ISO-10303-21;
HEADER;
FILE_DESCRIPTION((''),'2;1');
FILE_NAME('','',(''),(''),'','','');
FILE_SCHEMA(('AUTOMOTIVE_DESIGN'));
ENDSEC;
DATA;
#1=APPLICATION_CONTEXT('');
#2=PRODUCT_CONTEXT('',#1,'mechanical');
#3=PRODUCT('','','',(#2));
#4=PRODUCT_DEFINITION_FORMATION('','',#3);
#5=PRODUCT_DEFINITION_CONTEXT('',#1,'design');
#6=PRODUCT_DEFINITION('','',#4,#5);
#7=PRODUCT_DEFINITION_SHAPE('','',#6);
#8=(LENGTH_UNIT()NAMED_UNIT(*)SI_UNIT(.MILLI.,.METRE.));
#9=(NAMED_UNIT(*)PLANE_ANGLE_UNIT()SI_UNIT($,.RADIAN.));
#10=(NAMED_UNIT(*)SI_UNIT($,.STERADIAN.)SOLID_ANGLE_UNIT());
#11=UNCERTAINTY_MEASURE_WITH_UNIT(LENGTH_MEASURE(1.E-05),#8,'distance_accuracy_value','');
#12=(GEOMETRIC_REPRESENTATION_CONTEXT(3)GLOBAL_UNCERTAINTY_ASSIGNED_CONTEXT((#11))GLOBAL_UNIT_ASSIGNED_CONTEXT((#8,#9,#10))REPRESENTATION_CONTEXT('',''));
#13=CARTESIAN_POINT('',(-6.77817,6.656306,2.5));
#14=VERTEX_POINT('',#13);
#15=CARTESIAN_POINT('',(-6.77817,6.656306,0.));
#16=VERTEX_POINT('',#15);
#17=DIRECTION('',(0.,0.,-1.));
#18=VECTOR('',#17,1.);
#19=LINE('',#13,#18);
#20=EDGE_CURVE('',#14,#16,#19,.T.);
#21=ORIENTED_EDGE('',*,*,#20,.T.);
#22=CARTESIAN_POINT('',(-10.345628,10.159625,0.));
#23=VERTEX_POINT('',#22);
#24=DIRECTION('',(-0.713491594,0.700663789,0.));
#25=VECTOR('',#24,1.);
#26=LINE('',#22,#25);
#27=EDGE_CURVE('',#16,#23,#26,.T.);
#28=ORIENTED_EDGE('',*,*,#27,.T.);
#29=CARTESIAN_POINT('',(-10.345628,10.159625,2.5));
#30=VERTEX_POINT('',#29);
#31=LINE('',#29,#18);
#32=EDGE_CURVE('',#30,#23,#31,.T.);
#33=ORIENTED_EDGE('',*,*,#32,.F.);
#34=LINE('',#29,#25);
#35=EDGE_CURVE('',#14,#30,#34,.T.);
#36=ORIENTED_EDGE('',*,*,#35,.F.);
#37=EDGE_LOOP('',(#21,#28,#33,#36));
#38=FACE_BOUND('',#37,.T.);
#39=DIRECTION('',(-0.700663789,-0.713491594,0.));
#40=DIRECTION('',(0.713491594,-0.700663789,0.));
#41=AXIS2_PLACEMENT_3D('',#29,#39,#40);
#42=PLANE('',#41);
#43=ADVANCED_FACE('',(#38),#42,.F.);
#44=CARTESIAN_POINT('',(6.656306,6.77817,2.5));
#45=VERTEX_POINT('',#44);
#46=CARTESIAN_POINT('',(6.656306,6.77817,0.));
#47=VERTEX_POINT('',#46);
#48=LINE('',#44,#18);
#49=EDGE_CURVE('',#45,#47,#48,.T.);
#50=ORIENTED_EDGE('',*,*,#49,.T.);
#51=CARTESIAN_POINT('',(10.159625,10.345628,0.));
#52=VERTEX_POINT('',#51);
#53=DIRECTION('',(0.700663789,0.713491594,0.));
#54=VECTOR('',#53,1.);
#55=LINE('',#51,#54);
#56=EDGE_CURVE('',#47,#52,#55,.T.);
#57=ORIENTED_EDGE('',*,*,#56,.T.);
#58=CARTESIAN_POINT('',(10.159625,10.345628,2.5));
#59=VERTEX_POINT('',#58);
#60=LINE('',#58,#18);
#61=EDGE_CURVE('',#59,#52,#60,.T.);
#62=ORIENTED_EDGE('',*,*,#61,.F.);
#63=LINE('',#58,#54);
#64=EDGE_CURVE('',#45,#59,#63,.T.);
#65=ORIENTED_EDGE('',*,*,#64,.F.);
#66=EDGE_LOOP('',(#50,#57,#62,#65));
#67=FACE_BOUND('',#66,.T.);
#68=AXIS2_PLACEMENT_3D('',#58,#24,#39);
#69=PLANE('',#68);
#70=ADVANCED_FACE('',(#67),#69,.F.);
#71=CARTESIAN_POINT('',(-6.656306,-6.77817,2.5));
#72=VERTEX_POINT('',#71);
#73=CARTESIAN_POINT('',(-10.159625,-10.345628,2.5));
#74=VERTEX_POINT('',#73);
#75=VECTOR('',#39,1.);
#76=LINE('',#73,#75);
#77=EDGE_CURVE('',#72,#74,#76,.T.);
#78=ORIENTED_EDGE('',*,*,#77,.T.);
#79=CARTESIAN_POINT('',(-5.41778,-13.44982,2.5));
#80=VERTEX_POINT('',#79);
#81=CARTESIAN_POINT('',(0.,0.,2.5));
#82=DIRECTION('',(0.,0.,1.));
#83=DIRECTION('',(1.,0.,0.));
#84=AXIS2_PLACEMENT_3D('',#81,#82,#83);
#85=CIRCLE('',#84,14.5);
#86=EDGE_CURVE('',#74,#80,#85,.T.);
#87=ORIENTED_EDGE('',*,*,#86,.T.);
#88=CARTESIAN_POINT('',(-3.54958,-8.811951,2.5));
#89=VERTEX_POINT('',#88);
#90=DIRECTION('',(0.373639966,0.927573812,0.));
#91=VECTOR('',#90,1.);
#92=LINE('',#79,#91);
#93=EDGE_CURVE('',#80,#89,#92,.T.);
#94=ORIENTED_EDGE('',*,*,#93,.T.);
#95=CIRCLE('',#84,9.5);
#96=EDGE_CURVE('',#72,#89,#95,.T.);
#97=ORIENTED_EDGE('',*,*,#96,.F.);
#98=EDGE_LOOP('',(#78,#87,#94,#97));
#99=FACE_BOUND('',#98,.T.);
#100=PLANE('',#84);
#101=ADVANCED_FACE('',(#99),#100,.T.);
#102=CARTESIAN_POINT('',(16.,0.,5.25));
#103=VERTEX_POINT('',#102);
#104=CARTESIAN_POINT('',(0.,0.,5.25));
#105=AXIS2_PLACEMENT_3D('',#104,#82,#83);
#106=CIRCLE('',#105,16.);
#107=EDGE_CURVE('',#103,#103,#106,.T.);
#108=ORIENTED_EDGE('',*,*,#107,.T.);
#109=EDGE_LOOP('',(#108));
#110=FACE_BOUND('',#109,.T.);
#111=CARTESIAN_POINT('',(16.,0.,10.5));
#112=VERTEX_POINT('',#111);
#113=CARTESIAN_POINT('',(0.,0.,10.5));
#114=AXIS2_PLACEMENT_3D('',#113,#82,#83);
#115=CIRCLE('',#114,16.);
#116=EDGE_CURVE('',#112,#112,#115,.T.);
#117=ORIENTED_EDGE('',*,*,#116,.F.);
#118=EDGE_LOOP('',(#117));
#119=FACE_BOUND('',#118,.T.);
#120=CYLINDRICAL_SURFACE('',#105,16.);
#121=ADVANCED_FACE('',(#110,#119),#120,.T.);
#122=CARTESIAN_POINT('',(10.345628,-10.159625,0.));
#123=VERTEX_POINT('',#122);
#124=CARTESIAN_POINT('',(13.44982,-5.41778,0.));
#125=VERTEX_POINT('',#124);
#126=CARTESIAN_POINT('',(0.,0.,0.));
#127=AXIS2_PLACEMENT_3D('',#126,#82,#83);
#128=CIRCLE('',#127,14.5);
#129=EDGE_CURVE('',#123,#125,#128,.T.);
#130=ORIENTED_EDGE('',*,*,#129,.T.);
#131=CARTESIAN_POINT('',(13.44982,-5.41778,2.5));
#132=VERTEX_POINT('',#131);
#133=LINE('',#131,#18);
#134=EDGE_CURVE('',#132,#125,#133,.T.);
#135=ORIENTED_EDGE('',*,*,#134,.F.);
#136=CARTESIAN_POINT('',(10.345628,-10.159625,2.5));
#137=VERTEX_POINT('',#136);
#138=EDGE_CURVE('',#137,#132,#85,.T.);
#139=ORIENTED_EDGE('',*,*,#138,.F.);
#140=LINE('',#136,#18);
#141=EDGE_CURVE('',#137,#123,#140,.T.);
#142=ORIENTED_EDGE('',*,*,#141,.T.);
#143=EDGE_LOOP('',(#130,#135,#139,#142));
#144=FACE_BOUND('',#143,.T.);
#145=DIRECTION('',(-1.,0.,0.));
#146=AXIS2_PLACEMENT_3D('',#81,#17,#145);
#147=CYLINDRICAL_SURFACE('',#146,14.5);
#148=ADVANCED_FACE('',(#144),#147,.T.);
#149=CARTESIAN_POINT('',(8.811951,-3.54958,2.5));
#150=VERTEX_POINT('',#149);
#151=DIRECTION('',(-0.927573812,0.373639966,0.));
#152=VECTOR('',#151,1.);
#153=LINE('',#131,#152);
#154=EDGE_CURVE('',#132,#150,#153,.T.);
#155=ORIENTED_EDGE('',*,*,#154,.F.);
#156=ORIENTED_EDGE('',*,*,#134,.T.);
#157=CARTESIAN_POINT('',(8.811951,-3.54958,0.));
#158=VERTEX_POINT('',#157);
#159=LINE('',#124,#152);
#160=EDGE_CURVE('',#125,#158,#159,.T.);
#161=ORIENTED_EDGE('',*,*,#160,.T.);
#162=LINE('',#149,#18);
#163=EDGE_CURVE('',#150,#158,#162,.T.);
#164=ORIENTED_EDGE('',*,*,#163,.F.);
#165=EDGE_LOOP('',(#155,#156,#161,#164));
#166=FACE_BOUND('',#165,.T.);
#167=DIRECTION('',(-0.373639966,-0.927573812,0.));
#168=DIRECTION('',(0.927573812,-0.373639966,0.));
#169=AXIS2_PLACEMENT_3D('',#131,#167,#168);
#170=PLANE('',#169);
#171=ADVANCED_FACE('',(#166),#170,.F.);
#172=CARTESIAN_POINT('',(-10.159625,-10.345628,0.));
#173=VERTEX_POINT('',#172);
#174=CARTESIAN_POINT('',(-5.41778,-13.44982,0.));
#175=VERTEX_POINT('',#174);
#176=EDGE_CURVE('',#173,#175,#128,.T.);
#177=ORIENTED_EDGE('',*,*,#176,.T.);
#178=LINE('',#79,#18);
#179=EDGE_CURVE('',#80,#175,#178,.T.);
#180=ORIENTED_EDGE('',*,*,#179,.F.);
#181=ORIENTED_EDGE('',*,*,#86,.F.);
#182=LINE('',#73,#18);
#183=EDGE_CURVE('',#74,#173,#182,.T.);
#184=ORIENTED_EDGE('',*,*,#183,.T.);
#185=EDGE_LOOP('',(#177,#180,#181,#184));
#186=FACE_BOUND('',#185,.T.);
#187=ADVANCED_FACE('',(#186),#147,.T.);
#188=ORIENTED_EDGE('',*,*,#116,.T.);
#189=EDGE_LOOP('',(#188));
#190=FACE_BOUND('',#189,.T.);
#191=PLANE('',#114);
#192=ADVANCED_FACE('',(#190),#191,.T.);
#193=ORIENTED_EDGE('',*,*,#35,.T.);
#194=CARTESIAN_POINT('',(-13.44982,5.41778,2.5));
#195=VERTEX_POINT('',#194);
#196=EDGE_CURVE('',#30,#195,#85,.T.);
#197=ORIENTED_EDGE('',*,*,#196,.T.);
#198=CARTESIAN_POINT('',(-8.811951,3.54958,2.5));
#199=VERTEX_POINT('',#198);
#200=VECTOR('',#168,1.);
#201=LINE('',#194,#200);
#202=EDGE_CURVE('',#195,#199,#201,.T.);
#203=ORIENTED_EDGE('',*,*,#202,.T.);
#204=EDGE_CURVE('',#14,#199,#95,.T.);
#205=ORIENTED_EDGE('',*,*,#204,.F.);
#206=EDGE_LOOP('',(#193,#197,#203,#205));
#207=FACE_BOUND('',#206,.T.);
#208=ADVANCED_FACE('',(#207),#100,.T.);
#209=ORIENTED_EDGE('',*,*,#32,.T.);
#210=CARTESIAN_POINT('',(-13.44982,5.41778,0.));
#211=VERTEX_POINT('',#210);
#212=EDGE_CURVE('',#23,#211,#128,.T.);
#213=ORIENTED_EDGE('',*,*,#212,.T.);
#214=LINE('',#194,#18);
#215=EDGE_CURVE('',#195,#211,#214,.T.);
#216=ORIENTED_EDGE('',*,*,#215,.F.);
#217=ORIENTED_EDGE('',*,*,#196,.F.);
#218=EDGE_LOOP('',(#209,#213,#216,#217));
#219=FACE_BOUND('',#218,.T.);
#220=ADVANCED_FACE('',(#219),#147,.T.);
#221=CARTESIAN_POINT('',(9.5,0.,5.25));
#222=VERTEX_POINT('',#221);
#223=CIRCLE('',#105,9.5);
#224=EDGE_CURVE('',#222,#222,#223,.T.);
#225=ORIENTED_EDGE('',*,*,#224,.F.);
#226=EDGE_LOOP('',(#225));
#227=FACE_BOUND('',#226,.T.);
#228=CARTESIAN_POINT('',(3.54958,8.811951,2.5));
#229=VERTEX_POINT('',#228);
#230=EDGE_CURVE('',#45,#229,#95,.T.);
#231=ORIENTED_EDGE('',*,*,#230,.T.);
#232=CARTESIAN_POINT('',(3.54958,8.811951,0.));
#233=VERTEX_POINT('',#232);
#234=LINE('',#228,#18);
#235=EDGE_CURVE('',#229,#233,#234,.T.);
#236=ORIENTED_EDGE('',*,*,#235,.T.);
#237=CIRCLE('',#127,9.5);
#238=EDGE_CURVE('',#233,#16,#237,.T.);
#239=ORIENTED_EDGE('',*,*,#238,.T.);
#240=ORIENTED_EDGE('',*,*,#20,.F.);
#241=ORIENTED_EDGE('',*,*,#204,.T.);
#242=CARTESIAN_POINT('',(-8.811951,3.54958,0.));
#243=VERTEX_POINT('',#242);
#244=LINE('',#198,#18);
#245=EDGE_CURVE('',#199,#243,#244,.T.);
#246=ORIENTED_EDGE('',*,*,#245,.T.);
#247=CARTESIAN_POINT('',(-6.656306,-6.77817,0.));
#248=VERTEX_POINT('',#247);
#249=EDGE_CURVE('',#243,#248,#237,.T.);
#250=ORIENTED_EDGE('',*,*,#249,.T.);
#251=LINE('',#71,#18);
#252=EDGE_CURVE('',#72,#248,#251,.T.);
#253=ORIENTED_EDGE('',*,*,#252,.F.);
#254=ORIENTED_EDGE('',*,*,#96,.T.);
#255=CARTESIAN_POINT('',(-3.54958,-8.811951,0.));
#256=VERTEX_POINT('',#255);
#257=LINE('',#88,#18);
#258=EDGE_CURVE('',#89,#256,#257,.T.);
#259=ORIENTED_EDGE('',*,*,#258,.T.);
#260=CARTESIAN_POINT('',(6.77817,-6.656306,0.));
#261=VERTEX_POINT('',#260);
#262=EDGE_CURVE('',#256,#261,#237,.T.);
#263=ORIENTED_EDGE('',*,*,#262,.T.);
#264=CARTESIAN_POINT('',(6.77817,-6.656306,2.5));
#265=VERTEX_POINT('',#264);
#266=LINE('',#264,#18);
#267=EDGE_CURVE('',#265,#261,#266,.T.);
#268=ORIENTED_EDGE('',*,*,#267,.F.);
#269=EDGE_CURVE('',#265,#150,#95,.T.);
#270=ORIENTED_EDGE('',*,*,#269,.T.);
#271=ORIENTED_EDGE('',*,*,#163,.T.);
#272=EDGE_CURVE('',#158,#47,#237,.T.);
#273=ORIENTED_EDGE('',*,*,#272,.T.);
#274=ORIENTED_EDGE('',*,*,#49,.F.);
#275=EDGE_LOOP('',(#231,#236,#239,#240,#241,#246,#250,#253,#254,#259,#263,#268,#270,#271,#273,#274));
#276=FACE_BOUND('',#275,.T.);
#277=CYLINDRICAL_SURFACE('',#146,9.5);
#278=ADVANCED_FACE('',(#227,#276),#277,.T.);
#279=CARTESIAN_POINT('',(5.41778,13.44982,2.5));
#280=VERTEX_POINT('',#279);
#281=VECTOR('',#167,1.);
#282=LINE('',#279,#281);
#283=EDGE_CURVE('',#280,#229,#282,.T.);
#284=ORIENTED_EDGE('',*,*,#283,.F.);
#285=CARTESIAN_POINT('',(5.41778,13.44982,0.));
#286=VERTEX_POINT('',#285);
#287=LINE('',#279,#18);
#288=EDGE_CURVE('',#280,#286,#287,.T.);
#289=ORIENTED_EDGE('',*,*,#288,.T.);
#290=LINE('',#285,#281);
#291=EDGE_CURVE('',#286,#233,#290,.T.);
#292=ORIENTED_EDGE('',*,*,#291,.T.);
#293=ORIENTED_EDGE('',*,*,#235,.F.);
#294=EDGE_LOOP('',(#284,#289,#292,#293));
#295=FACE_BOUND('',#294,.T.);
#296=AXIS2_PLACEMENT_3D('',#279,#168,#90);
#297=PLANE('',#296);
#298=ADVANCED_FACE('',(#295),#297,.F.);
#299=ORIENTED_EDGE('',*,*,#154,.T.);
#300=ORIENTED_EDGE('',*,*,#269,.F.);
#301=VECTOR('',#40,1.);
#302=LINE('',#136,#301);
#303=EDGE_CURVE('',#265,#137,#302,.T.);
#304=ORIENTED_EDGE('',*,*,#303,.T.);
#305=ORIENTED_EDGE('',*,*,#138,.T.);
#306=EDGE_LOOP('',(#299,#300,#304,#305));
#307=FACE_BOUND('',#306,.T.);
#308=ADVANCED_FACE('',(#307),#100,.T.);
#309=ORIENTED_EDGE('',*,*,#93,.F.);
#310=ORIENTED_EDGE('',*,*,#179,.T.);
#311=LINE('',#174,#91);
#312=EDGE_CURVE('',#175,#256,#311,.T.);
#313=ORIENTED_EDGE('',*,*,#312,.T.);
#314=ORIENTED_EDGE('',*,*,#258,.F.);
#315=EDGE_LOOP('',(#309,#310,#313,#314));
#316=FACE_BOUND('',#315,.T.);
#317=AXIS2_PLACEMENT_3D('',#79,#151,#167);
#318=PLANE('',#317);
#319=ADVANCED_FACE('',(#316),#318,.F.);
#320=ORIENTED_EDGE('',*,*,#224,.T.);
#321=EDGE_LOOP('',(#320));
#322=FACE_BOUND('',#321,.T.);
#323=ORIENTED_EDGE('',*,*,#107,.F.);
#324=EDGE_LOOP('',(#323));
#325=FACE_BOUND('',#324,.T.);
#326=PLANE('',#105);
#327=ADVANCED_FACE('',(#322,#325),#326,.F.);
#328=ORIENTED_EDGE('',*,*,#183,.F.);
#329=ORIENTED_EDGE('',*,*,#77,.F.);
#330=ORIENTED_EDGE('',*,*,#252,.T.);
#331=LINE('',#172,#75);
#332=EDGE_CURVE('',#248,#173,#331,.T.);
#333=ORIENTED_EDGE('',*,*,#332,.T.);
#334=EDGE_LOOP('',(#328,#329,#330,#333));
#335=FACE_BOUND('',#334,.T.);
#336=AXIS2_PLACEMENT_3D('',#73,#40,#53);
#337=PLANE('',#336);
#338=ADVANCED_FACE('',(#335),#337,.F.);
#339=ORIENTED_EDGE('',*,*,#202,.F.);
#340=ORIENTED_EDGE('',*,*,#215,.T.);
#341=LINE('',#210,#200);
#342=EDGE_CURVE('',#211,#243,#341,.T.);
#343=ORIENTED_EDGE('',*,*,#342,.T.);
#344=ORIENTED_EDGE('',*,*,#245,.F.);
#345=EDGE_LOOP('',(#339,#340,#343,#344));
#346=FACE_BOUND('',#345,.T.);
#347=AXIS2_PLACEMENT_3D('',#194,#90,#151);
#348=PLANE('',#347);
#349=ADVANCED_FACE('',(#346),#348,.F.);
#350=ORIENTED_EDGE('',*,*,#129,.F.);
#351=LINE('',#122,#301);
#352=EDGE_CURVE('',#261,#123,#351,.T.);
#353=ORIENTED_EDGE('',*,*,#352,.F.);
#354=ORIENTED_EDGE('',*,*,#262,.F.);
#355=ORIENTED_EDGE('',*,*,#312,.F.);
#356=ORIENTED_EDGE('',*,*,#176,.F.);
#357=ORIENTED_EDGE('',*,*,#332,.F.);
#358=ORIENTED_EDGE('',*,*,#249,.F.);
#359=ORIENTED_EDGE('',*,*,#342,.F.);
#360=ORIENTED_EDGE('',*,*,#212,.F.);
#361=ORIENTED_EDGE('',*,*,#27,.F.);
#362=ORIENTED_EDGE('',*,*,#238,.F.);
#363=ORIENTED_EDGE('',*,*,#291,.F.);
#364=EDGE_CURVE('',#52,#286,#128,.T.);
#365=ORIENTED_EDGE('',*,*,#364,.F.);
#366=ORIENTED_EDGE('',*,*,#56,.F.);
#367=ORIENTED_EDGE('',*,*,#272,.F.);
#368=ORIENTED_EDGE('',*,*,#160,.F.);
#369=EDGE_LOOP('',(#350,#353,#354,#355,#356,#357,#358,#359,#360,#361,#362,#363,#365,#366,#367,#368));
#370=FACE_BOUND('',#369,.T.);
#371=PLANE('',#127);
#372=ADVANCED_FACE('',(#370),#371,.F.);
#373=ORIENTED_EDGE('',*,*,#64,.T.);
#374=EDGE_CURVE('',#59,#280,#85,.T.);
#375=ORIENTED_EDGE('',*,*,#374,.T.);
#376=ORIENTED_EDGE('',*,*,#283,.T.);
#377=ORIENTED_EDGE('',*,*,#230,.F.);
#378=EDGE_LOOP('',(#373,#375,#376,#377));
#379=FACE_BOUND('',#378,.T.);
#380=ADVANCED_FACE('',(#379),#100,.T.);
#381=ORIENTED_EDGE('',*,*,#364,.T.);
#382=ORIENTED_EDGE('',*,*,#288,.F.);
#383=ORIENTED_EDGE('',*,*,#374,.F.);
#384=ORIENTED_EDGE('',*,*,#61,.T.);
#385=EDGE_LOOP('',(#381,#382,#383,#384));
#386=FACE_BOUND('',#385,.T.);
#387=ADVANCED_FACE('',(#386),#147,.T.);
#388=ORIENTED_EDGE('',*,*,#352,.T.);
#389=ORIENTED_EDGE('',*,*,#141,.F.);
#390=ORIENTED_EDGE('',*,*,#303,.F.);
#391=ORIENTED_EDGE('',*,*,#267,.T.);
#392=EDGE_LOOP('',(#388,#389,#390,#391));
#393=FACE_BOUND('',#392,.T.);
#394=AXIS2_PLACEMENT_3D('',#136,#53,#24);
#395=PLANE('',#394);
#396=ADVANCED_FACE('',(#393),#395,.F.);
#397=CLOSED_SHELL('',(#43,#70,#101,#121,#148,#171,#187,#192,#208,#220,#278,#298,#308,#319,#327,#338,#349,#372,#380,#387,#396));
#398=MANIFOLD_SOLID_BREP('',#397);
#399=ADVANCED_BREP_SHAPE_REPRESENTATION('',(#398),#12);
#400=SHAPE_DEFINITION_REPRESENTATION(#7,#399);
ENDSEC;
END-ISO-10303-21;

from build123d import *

# Parameters (mm, degrees)
BOSS_EXTRUDE1_DEPTH      = 2.5
SKETCH2_R                = 9.5
BOSS_EXTRUDE2_DEPTH      = 3
SKETCH3_R                = 16
BOSS_EXTRUDE3_DEPTH      = 5
BOSS_EXTRUDE3_DEPTH_BACK = 0.25


with BuildPart() as part:
    # Sketch1 → Boss-Extrude1 (new body)
    with BuildSketch(Plane.XY):
        with BuildLine():
            Line((5.417779502, 13.449820269), (3.549579674, 8.811951211))
            ThreePointArc((3.549579674, 8.811951211), (-1.94104371, 9.299588664), (-6.778170146, 6.656305993))
            Line((-6.778170146, 6.656305993), (-10.345628118, 10.159624937))
            ThreePointArc((-10.345628118, 10.159624937), (-12.131657575, 7.941843897), (-13.449820269, 5.417779502))
            Line((-13.449820269, 5.417779502), (-8.811951211, 3.549579674))
            ThreePointArc((-8.811951211, 3.549579674), (-9.299588664, -1.94104371), (-6.656305993, -6.778170146))
            Line((-6.656305993, -6.778170146), (-10.159624937, -10.345628118))
            ThreePointArc((-10.159624937, -10.345628118), (-7.941843897, -12.131657575), (-5.417779502, -13.449820269))
            Line((-5.417779502, -13.449820269), (-3.549579674, -8.811951211))
            ThreePointArc((-3.549579674, -8.811951211), (1.94104371, -9.299588664), (6.778170146, -6.656305993))
            Line((6.778170146, -6.656305993), (10.345628118, -10.159624937))
            ThreePointArc((10.345628118, -10.159624937), (12.131657575, -7.941843897), (13.449820269, -5.417779502))
            Line((13.449820269, -5.417779502), (8.811951211, -3.549579674))
            ThreePointArc((8.811951211, -3.549579674), (9.299588664, 1.94104371), (6.656305993, 6.778170146))
            Line((6.656305993, 6.778170146), (10.159624937, 10.345628118))
            ThreePointArc((10.159624937, 10.345628118), (7.941843897, 12.131657575), (5.417779502, 13.449820269))
        make_face()
    extrude(amount=BOSS_EXTRUDE1_DEPTH)

    # Sketch2 → Boss-Extrude2 (add)
    with BuildSketch(Plane.XY.offset(2.5)):
        Circle(SKETCH2_R)
    extrude(amount=BOSS_EXTRUDE2_DEPTH)

    # Sketch3 → Boss-Extrude3 (add, two sides)
    with BuildSketch(Plane.XY.offset(5.5)) as boss_extrude3_sk:
        Circle(SKETCH3_R)
    extrude(amount=BOSS_EXTRUDE3_DEPTH)
    extrude(boss_extrude3_sk.sketch, amount=-BOSS_EXTRUDE3_DEPTH_BACK)


solid = part.part
